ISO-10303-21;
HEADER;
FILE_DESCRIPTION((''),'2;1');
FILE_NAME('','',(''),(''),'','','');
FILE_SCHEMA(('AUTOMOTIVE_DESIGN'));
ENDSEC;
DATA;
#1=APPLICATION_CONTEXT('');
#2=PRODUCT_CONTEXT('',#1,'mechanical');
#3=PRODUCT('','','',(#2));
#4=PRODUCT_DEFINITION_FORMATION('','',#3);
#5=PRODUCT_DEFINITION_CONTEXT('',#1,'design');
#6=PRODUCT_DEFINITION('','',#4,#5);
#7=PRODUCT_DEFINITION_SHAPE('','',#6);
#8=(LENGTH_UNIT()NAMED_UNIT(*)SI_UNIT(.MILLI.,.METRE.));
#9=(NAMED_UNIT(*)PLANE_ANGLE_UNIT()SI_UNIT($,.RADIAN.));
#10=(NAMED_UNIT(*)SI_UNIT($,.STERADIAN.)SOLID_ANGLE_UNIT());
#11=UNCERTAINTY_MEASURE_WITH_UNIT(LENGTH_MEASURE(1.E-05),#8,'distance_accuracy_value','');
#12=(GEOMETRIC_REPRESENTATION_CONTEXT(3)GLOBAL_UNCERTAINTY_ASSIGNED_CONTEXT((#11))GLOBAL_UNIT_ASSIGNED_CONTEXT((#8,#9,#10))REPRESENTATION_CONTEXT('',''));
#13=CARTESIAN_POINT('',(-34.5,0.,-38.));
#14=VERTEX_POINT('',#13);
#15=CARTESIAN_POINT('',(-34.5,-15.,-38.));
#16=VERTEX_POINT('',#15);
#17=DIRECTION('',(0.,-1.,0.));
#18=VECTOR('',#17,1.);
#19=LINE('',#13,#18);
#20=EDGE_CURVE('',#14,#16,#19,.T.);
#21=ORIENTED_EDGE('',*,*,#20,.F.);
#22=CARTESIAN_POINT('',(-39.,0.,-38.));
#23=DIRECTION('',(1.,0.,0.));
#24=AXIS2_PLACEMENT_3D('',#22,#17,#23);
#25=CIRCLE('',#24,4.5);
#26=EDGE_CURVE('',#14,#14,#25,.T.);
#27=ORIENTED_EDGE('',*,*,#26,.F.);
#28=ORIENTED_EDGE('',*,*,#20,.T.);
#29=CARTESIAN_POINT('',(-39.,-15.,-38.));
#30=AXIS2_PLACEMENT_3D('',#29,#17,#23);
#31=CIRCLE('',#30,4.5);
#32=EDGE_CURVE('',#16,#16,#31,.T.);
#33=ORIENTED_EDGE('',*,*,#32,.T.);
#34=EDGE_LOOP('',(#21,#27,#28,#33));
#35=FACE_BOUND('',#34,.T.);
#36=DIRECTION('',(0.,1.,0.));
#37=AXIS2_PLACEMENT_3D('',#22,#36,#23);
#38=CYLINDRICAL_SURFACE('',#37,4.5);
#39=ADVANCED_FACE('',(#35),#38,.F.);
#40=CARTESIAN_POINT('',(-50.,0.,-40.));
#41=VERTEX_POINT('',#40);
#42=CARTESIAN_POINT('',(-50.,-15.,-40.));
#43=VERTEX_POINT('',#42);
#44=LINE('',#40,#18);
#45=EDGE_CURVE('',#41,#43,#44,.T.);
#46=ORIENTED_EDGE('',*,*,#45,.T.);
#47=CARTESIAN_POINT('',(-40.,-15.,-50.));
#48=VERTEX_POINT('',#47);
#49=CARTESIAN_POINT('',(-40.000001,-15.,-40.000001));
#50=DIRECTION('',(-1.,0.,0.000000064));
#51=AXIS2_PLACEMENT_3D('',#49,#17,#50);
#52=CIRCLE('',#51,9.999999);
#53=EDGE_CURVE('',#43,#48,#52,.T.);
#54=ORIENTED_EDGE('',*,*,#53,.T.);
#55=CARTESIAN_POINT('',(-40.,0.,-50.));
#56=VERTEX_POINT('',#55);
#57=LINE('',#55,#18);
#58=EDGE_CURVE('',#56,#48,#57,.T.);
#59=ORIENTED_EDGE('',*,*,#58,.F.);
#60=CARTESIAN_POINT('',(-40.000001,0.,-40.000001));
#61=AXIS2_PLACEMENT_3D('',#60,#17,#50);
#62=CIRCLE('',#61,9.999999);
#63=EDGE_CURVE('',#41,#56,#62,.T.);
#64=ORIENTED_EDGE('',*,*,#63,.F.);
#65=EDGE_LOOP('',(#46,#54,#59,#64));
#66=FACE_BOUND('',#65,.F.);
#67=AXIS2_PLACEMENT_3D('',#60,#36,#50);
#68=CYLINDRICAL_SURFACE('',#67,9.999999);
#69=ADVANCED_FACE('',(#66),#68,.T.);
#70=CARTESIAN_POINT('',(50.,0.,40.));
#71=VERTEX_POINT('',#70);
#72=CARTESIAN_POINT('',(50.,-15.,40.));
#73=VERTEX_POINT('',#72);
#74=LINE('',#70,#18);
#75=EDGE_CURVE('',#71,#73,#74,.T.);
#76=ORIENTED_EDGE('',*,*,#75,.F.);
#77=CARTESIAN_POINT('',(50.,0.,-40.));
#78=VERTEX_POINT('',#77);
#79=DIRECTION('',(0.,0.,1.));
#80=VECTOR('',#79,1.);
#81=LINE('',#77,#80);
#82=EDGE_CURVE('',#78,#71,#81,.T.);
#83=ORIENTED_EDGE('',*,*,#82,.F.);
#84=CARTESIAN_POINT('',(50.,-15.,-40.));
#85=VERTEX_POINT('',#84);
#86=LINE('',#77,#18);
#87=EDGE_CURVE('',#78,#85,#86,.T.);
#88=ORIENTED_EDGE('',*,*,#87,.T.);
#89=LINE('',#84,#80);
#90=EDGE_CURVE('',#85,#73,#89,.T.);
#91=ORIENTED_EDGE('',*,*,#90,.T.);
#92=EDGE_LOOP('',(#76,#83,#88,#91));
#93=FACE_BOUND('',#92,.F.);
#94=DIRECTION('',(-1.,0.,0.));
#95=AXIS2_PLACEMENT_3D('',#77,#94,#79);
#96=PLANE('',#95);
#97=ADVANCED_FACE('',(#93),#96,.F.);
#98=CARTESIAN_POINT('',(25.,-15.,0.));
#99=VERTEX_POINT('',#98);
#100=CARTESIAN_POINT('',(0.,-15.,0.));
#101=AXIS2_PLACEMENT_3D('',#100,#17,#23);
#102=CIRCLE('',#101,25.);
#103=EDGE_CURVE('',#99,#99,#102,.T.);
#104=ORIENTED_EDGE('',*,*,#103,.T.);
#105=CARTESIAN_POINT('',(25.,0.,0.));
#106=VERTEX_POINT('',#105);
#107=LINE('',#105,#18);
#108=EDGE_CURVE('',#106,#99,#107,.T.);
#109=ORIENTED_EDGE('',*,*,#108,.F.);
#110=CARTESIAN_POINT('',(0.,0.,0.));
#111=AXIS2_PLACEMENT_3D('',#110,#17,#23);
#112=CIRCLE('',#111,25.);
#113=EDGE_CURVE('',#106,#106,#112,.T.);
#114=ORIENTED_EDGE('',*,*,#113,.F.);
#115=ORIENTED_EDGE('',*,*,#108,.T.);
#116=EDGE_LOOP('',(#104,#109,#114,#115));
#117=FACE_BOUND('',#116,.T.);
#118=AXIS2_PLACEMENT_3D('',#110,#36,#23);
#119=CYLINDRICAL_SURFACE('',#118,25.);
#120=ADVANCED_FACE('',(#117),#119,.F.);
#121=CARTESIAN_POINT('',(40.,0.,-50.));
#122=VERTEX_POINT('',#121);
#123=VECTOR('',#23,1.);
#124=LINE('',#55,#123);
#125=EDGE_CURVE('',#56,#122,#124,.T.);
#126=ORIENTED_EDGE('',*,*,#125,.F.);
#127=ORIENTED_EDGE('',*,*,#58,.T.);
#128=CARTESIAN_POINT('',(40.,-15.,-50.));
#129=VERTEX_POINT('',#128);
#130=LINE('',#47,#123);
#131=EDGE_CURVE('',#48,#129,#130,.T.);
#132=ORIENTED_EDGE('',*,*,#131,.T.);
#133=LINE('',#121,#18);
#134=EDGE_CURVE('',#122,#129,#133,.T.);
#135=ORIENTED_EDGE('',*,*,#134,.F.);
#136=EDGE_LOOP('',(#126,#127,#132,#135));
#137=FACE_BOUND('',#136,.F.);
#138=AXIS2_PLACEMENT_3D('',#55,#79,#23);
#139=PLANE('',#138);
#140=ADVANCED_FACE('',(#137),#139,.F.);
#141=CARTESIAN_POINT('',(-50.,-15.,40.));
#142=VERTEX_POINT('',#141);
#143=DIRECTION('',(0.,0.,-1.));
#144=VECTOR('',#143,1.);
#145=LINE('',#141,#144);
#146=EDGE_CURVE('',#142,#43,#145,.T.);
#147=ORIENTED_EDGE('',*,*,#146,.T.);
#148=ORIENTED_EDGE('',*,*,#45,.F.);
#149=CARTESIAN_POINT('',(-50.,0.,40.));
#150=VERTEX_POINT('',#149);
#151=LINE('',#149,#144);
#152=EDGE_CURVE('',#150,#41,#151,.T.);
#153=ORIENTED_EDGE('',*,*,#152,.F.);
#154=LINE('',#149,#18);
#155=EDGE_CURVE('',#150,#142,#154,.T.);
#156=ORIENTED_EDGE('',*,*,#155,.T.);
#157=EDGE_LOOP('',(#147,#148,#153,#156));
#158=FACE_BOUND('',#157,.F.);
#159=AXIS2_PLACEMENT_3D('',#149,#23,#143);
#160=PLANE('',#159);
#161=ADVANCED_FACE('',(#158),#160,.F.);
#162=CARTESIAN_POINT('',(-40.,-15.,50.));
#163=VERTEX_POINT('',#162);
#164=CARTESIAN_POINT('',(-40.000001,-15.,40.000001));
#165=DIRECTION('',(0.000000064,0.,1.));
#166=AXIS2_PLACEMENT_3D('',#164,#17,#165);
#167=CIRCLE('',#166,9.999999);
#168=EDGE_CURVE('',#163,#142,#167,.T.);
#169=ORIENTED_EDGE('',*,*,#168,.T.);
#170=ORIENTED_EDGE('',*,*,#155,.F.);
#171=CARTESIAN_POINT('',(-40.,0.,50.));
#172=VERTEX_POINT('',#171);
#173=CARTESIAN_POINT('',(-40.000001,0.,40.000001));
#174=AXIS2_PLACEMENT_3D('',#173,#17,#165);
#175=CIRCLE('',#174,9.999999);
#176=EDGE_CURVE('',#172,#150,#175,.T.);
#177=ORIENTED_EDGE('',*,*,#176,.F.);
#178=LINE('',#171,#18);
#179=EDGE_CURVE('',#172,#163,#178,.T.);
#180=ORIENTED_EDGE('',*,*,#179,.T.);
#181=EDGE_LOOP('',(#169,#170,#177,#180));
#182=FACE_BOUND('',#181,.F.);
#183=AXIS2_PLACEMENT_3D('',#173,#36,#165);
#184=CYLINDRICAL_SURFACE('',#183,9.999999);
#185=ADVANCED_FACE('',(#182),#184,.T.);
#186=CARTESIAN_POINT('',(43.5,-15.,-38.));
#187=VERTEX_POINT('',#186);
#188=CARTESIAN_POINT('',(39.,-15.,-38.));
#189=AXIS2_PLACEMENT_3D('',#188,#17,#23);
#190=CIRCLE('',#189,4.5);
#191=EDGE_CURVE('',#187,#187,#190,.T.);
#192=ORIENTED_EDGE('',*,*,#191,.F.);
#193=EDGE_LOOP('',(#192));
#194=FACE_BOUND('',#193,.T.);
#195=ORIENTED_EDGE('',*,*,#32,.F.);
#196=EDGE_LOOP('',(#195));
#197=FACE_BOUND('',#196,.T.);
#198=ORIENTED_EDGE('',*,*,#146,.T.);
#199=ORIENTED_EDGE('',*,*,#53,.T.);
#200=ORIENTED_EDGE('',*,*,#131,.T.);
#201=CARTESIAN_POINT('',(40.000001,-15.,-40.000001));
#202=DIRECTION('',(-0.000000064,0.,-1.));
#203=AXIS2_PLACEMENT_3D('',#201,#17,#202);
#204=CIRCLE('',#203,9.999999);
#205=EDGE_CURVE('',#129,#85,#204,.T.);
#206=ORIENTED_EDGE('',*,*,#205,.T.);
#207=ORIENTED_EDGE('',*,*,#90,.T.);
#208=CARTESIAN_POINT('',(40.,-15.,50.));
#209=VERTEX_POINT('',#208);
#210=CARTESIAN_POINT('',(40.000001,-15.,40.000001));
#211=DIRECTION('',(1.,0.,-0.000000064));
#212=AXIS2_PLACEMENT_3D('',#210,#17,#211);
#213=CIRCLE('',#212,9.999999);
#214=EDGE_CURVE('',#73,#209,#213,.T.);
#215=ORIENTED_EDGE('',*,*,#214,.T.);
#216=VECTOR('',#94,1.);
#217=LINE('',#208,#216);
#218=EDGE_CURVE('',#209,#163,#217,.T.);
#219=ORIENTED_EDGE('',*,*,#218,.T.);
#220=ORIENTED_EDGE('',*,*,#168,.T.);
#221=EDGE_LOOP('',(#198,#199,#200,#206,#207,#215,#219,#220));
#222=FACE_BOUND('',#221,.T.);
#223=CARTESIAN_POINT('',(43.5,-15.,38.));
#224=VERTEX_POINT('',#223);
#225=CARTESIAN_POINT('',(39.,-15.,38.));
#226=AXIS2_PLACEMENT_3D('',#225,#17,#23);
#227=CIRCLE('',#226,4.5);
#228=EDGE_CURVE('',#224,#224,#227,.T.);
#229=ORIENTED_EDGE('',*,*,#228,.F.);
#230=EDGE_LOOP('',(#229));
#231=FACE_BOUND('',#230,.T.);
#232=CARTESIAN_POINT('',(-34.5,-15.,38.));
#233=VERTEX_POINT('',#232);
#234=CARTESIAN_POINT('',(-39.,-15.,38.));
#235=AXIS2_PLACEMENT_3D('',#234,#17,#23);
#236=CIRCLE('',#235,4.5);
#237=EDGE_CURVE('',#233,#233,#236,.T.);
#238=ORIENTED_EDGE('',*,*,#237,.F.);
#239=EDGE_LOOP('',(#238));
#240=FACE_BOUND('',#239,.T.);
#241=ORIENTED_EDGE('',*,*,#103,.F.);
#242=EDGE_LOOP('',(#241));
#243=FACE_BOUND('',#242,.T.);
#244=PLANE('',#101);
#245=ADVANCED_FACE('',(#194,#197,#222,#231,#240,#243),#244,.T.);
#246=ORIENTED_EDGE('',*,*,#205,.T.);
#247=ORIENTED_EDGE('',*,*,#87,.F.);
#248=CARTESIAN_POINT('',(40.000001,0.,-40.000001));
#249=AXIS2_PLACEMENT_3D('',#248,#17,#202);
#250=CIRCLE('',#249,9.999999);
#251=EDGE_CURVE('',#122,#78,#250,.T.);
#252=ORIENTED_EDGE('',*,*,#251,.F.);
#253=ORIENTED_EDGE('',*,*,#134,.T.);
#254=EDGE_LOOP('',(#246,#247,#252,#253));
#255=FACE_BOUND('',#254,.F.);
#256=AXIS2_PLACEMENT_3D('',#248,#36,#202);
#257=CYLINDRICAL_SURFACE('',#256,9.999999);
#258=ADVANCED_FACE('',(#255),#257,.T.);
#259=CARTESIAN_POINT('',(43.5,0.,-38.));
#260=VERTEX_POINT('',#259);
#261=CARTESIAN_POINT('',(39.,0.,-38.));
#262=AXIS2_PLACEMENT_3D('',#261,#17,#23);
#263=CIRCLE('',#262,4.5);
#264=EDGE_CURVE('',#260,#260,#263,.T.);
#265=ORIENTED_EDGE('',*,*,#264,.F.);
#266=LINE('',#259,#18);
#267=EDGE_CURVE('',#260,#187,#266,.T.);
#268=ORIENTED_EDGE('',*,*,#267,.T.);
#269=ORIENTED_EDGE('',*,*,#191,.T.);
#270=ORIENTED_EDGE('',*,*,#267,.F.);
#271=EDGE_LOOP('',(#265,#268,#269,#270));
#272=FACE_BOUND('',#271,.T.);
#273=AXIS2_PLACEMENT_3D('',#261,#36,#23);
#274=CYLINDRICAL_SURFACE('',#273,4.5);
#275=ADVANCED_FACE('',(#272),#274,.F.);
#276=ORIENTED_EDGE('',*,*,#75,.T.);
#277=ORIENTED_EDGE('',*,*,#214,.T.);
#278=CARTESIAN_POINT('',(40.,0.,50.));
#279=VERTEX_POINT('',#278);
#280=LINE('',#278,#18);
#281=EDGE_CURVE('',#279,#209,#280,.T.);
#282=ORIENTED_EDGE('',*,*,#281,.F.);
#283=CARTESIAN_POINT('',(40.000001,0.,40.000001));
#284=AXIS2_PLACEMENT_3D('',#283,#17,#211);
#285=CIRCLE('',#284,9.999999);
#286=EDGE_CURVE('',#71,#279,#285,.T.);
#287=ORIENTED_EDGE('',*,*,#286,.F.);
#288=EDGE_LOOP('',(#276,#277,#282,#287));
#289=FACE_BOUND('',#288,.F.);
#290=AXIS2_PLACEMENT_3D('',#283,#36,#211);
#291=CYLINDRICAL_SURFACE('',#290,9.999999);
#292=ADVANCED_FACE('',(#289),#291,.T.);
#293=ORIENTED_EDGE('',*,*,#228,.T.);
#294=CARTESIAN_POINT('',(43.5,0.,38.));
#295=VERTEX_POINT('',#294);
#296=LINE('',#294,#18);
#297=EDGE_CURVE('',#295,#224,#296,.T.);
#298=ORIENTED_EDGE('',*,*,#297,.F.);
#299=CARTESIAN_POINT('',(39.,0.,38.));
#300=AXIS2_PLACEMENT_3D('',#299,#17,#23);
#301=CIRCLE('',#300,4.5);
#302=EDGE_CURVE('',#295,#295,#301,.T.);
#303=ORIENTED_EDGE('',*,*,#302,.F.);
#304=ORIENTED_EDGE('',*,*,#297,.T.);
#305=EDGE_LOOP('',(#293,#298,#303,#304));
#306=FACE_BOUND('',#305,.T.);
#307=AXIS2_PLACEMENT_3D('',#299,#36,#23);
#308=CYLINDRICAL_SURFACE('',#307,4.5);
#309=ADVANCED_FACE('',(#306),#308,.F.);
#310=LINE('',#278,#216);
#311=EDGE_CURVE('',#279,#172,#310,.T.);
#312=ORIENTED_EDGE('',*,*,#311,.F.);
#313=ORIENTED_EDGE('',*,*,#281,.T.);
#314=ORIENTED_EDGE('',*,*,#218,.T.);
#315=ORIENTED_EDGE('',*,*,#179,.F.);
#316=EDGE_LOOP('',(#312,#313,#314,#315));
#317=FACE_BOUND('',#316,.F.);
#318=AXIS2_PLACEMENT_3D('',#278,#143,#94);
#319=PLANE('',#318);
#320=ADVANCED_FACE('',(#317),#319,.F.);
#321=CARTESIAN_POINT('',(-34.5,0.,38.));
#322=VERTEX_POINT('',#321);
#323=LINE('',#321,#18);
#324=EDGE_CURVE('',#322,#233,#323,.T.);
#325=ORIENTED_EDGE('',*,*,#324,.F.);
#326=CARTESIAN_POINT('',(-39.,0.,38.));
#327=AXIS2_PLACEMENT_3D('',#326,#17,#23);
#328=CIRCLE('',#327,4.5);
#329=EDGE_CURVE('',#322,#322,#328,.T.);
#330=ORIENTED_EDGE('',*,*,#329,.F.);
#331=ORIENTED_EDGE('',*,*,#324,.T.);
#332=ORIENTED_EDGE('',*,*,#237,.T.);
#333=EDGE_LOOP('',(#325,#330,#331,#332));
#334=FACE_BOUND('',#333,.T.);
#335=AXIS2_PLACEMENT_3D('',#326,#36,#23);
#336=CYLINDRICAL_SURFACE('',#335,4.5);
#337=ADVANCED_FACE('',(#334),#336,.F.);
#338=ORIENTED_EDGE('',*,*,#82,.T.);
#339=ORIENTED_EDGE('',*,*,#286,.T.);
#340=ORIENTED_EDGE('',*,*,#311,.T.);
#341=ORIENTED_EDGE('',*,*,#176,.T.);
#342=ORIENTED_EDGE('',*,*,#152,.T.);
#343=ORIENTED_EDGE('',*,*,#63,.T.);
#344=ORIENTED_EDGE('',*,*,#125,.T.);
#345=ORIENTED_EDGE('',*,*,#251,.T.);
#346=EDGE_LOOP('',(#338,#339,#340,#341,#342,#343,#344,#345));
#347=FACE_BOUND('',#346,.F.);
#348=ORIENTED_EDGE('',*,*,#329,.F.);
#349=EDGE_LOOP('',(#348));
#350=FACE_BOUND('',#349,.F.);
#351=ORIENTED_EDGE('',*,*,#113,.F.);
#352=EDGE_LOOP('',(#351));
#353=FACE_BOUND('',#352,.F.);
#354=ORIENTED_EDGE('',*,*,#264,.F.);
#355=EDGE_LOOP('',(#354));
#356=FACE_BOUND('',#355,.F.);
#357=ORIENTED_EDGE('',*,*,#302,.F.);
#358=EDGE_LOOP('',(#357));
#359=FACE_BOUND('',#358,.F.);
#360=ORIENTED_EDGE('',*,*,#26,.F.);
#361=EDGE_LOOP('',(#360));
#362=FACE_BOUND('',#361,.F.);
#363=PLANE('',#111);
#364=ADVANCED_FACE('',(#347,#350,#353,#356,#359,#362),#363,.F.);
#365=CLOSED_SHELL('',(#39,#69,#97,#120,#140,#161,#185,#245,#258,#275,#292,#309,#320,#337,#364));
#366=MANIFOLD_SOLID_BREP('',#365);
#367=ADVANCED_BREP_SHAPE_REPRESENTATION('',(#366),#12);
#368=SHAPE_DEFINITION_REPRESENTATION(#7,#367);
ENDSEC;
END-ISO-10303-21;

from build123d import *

# Parameters (mm, degrees)
F0_R     = 4.5
F0_R_2   = 25
F1_DEPTH = 15


with BuildPart() as f1:
    # F0 (on Front) → F1 (new body)
    with BuildSketch(Plane.XZ):
        with BuildLine():
            Line((40, 50), (-40, 50))
            ThreePointArc((-40, 50), (-47.071068, 47.071068), (-50, 40))
            Line((-50, 40), (-50, -40))
            ThreePointArc((-50, -40), (-47.071068, -47.071068), (-40, -50))
            Line((-40, -50), (40, -50))
            ThreePointArc((40, -50), (47.071068, -47.071068), (50, -40))
            Line((50, -40), (50, 40))
            ThreePointArc((50, 40), (47.071068, 47.071068), (40, 50))
        make_face()
        with Locations((-39, -38)):
            Circle(F0_R, mode=Mode.SUBTRACT)
        with Locations((39, -38)):
            Circle(F0_R, mode=Mode.SUBTRACT)
        with Locations((-39, 38)):
            Circle(F0_R, mode=Mode.SUBTRACT)
        Circle(F0_R_2, mode=Mode.SUBTRACT)
        with Locations((39, 38)):
            Circle(F0_R, mode=Mode.SUBTRACT)
    extrude(amount=F1_DEPTH)


solid = f1.part
